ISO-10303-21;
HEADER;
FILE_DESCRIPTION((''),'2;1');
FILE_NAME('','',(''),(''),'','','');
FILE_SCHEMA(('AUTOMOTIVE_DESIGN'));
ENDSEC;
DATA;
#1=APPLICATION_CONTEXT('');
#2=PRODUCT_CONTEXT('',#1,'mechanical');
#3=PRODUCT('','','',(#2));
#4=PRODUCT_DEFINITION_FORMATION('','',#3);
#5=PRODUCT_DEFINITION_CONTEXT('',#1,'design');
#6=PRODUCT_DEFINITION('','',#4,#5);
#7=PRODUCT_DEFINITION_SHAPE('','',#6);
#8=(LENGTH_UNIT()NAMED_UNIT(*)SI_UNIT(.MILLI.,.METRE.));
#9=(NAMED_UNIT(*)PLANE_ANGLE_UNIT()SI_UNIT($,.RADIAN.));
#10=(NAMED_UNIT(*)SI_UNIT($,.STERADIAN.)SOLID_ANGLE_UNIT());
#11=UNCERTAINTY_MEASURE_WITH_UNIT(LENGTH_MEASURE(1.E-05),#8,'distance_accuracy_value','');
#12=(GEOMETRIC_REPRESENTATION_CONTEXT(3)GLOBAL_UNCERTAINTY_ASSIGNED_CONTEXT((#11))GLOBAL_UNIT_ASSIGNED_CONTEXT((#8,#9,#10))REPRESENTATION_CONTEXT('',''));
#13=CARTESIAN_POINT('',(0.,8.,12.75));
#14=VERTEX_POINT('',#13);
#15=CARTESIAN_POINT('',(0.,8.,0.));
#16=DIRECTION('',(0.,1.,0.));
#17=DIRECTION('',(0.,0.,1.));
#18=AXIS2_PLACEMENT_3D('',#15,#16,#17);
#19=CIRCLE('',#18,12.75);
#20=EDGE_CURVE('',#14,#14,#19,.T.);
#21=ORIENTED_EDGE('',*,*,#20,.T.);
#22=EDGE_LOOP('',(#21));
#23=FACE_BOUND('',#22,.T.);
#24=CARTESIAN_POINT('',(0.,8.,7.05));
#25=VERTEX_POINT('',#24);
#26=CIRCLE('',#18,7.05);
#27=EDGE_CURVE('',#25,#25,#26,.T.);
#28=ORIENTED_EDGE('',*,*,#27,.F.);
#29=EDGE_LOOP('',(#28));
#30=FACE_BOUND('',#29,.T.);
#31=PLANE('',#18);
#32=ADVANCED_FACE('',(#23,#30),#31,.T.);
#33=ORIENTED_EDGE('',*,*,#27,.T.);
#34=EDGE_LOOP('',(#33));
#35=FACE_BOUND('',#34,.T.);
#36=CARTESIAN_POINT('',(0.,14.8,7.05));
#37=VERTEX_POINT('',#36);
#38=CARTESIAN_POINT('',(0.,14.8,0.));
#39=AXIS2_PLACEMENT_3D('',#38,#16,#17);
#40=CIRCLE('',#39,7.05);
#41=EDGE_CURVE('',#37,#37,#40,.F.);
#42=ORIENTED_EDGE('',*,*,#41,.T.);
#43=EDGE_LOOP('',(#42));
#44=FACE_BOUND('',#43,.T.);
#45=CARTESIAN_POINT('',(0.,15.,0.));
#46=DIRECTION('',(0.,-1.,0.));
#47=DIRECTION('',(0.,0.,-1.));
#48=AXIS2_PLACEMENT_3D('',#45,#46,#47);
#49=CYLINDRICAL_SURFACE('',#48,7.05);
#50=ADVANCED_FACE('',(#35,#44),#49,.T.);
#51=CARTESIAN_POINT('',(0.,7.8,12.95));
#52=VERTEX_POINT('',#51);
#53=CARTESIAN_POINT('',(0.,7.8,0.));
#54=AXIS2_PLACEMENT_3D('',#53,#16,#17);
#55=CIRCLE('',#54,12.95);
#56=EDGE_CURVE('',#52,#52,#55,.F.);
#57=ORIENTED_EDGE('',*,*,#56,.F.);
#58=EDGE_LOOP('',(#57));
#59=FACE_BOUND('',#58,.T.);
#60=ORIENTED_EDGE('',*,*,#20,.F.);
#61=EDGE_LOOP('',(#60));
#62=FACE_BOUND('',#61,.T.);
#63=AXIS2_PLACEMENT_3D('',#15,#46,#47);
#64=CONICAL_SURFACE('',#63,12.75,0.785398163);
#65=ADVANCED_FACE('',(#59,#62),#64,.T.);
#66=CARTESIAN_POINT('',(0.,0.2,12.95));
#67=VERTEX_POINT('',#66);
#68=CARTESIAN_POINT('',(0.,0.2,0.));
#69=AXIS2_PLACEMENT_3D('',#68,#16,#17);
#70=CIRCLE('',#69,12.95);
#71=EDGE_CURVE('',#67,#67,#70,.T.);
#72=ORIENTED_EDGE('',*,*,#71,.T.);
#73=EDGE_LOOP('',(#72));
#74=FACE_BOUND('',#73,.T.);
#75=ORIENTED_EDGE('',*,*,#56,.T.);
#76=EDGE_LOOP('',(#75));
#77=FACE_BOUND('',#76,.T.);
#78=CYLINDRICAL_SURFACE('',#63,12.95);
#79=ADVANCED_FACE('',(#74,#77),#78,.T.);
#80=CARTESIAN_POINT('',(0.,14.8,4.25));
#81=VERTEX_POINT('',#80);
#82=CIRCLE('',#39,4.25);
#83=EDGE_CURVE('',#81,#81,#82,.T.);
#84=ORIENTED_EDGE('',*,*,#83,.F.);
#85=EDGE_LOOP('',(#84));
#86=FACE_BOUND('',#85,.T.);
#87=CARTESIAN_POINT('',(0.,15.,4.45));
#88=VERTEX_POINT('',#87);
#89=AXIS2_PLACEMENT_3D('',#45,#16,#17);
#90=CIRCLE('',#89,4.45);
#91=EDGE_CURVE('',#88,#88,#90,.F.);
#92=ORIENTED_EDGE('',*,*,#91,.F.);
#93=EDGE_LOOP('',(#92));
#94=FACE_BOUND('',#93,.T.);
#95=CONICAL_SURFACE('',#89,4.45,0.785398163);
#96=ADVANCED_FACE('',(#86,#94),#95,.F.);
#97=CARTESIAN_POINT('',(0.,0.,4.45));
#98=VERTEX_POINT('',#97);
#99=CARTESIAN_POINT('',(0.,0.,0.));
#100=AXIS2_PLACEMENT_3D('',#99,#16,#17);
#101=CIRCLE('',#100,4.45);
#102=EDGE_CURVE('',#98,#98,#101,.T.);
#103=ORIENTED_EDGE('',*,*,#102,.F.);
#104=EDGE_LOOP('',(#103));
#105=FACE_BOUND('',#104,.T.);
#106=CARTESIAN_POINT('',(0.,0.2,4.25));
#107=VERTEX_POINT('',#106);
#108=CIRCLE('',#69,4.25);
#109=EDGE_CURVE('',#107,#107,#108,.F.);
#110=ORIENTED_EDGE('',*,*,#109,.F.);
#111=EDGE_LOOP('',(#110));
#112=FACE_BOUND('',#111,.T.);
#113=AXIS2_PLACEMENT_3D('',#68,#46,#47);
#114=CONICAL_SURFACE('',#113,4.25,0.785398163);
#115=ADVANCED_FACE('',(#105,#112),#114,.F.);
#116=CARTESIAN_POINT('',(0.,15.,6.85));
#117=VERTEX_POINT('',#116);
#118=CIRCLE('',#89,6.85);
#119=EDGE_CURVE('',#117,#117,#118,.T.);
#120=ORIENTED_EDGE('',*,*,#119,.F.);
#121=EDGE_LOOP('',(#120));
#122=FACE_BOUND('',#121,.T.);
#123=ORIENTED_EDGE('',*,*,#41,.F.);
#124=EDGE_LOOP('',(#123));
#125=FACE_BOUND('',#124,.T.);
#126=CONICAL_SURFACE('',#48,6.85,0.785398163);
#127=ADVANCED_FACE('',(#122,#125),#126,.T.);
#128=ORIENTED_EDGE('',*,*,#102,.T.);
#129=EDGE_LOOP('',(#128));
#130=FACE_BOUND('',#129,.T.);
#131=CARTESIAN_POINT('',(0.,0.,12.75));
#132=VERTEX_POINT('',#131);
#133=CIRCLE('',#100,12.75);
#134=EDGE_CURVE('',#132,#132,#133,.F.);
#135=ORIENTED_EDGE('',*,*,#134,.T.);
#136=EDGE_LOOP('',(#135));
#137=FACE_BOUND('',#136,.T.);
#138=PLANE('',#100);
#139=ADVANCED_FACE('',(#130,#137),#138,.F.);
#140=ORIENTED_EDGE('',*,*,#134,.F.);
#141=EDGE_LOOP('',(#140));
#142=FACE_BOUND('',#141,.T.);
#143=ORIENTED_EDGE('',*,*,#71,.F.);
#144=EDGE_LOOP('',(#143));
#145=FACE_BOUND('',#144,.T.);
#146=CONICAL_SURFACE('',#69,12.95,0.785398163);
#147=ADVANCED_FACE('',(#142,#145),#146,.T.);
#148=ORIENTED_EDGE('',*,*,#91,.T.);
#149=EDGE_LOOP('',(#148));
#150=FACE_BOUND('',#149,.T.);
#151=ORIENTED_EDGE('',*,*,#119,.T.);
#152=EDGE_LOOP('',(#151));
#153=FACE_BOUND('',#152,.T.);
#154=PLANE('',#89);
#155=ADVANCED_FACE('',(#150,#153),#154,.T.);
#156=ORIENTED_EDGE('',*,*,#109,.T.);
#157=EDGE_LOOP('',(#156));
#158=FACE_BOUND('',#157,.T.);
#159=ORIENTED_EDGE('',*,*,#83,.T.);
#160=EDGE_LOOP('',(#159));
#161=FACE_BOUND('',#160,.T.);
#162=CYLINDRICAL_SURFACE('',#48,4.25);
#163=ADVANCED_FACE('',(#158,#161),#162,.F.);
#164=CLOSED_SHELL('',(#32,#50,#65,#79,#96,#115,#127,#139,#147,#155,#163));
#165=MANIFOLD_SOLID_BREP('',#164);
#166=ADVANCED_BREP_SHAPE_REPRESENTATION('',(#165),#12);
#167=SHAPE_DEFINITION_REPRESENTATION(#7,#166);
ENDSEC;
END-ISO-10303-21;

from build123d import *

# Parameters (mm, degrees)
SKETCH_1_R          = 12.95
EXTRUDE_1_DEPTH     = 8
SKETCH_2_R          = 7.05
EXTRUDE_2_DEPTH     = 7
SKETCH_3_R          = 4.25
CUT_EXTRUDE_1_DEPTH = 24.672874773
CHAMFER_1_SIZE      = 0.2


with BuildPart() as part:
    # 草图1 → 凸台-拉伸1 (new body)
    with BuildSketch(Plane(origin=(0, 0, 0), x_dir=(1, 0, 0), z_dir=(0, 1, 0))):
        with Locations(Location((0, 0, 0), (0, 0, 270))):
            Circle(SKETCH_1_R)
    extrude(amount=EXTRUDE_1_DEPTH)

    # 草图2 → 凸台-拉伸2 (add)
    with BuildSketch(Plane(origin=(0, 8, 0), x_dir=(1, 0, 0), z_dir=(0, 1, 0))):
        with Locations(Location((0, 0, 0), (0, 0, 270))):
            Circle(SKETCH_2_R)
    extrude(amount=EXTRUDE_2_DEPTH)

    # 草图3 → 切除-拉伸1 (cut, through all)
    with BuildSketch(Plane.XZ):
        with Locations(Location((0, 0, 0), (0, 0, 270))):
            Circle(SKETCH_3_R)
    extrude(amount=-CUT_EXTRUDE_1_DEPTH, mode=Mode.SUBTRACT)

    # 倒角1
    chamfer_1_edges = [part.edges().sort_by_distance(p)[0] for p in [
        (0, 15, 4.25),
        (0, 0, 4.25),
        (0, 0, -12.95),
        (0, 8, -12.95),
        (0, 15, -7.05),
    ]]
    chamfer(chamfer_1_edges, length=CHAMFER_1_SIZE)


solid = part.part
